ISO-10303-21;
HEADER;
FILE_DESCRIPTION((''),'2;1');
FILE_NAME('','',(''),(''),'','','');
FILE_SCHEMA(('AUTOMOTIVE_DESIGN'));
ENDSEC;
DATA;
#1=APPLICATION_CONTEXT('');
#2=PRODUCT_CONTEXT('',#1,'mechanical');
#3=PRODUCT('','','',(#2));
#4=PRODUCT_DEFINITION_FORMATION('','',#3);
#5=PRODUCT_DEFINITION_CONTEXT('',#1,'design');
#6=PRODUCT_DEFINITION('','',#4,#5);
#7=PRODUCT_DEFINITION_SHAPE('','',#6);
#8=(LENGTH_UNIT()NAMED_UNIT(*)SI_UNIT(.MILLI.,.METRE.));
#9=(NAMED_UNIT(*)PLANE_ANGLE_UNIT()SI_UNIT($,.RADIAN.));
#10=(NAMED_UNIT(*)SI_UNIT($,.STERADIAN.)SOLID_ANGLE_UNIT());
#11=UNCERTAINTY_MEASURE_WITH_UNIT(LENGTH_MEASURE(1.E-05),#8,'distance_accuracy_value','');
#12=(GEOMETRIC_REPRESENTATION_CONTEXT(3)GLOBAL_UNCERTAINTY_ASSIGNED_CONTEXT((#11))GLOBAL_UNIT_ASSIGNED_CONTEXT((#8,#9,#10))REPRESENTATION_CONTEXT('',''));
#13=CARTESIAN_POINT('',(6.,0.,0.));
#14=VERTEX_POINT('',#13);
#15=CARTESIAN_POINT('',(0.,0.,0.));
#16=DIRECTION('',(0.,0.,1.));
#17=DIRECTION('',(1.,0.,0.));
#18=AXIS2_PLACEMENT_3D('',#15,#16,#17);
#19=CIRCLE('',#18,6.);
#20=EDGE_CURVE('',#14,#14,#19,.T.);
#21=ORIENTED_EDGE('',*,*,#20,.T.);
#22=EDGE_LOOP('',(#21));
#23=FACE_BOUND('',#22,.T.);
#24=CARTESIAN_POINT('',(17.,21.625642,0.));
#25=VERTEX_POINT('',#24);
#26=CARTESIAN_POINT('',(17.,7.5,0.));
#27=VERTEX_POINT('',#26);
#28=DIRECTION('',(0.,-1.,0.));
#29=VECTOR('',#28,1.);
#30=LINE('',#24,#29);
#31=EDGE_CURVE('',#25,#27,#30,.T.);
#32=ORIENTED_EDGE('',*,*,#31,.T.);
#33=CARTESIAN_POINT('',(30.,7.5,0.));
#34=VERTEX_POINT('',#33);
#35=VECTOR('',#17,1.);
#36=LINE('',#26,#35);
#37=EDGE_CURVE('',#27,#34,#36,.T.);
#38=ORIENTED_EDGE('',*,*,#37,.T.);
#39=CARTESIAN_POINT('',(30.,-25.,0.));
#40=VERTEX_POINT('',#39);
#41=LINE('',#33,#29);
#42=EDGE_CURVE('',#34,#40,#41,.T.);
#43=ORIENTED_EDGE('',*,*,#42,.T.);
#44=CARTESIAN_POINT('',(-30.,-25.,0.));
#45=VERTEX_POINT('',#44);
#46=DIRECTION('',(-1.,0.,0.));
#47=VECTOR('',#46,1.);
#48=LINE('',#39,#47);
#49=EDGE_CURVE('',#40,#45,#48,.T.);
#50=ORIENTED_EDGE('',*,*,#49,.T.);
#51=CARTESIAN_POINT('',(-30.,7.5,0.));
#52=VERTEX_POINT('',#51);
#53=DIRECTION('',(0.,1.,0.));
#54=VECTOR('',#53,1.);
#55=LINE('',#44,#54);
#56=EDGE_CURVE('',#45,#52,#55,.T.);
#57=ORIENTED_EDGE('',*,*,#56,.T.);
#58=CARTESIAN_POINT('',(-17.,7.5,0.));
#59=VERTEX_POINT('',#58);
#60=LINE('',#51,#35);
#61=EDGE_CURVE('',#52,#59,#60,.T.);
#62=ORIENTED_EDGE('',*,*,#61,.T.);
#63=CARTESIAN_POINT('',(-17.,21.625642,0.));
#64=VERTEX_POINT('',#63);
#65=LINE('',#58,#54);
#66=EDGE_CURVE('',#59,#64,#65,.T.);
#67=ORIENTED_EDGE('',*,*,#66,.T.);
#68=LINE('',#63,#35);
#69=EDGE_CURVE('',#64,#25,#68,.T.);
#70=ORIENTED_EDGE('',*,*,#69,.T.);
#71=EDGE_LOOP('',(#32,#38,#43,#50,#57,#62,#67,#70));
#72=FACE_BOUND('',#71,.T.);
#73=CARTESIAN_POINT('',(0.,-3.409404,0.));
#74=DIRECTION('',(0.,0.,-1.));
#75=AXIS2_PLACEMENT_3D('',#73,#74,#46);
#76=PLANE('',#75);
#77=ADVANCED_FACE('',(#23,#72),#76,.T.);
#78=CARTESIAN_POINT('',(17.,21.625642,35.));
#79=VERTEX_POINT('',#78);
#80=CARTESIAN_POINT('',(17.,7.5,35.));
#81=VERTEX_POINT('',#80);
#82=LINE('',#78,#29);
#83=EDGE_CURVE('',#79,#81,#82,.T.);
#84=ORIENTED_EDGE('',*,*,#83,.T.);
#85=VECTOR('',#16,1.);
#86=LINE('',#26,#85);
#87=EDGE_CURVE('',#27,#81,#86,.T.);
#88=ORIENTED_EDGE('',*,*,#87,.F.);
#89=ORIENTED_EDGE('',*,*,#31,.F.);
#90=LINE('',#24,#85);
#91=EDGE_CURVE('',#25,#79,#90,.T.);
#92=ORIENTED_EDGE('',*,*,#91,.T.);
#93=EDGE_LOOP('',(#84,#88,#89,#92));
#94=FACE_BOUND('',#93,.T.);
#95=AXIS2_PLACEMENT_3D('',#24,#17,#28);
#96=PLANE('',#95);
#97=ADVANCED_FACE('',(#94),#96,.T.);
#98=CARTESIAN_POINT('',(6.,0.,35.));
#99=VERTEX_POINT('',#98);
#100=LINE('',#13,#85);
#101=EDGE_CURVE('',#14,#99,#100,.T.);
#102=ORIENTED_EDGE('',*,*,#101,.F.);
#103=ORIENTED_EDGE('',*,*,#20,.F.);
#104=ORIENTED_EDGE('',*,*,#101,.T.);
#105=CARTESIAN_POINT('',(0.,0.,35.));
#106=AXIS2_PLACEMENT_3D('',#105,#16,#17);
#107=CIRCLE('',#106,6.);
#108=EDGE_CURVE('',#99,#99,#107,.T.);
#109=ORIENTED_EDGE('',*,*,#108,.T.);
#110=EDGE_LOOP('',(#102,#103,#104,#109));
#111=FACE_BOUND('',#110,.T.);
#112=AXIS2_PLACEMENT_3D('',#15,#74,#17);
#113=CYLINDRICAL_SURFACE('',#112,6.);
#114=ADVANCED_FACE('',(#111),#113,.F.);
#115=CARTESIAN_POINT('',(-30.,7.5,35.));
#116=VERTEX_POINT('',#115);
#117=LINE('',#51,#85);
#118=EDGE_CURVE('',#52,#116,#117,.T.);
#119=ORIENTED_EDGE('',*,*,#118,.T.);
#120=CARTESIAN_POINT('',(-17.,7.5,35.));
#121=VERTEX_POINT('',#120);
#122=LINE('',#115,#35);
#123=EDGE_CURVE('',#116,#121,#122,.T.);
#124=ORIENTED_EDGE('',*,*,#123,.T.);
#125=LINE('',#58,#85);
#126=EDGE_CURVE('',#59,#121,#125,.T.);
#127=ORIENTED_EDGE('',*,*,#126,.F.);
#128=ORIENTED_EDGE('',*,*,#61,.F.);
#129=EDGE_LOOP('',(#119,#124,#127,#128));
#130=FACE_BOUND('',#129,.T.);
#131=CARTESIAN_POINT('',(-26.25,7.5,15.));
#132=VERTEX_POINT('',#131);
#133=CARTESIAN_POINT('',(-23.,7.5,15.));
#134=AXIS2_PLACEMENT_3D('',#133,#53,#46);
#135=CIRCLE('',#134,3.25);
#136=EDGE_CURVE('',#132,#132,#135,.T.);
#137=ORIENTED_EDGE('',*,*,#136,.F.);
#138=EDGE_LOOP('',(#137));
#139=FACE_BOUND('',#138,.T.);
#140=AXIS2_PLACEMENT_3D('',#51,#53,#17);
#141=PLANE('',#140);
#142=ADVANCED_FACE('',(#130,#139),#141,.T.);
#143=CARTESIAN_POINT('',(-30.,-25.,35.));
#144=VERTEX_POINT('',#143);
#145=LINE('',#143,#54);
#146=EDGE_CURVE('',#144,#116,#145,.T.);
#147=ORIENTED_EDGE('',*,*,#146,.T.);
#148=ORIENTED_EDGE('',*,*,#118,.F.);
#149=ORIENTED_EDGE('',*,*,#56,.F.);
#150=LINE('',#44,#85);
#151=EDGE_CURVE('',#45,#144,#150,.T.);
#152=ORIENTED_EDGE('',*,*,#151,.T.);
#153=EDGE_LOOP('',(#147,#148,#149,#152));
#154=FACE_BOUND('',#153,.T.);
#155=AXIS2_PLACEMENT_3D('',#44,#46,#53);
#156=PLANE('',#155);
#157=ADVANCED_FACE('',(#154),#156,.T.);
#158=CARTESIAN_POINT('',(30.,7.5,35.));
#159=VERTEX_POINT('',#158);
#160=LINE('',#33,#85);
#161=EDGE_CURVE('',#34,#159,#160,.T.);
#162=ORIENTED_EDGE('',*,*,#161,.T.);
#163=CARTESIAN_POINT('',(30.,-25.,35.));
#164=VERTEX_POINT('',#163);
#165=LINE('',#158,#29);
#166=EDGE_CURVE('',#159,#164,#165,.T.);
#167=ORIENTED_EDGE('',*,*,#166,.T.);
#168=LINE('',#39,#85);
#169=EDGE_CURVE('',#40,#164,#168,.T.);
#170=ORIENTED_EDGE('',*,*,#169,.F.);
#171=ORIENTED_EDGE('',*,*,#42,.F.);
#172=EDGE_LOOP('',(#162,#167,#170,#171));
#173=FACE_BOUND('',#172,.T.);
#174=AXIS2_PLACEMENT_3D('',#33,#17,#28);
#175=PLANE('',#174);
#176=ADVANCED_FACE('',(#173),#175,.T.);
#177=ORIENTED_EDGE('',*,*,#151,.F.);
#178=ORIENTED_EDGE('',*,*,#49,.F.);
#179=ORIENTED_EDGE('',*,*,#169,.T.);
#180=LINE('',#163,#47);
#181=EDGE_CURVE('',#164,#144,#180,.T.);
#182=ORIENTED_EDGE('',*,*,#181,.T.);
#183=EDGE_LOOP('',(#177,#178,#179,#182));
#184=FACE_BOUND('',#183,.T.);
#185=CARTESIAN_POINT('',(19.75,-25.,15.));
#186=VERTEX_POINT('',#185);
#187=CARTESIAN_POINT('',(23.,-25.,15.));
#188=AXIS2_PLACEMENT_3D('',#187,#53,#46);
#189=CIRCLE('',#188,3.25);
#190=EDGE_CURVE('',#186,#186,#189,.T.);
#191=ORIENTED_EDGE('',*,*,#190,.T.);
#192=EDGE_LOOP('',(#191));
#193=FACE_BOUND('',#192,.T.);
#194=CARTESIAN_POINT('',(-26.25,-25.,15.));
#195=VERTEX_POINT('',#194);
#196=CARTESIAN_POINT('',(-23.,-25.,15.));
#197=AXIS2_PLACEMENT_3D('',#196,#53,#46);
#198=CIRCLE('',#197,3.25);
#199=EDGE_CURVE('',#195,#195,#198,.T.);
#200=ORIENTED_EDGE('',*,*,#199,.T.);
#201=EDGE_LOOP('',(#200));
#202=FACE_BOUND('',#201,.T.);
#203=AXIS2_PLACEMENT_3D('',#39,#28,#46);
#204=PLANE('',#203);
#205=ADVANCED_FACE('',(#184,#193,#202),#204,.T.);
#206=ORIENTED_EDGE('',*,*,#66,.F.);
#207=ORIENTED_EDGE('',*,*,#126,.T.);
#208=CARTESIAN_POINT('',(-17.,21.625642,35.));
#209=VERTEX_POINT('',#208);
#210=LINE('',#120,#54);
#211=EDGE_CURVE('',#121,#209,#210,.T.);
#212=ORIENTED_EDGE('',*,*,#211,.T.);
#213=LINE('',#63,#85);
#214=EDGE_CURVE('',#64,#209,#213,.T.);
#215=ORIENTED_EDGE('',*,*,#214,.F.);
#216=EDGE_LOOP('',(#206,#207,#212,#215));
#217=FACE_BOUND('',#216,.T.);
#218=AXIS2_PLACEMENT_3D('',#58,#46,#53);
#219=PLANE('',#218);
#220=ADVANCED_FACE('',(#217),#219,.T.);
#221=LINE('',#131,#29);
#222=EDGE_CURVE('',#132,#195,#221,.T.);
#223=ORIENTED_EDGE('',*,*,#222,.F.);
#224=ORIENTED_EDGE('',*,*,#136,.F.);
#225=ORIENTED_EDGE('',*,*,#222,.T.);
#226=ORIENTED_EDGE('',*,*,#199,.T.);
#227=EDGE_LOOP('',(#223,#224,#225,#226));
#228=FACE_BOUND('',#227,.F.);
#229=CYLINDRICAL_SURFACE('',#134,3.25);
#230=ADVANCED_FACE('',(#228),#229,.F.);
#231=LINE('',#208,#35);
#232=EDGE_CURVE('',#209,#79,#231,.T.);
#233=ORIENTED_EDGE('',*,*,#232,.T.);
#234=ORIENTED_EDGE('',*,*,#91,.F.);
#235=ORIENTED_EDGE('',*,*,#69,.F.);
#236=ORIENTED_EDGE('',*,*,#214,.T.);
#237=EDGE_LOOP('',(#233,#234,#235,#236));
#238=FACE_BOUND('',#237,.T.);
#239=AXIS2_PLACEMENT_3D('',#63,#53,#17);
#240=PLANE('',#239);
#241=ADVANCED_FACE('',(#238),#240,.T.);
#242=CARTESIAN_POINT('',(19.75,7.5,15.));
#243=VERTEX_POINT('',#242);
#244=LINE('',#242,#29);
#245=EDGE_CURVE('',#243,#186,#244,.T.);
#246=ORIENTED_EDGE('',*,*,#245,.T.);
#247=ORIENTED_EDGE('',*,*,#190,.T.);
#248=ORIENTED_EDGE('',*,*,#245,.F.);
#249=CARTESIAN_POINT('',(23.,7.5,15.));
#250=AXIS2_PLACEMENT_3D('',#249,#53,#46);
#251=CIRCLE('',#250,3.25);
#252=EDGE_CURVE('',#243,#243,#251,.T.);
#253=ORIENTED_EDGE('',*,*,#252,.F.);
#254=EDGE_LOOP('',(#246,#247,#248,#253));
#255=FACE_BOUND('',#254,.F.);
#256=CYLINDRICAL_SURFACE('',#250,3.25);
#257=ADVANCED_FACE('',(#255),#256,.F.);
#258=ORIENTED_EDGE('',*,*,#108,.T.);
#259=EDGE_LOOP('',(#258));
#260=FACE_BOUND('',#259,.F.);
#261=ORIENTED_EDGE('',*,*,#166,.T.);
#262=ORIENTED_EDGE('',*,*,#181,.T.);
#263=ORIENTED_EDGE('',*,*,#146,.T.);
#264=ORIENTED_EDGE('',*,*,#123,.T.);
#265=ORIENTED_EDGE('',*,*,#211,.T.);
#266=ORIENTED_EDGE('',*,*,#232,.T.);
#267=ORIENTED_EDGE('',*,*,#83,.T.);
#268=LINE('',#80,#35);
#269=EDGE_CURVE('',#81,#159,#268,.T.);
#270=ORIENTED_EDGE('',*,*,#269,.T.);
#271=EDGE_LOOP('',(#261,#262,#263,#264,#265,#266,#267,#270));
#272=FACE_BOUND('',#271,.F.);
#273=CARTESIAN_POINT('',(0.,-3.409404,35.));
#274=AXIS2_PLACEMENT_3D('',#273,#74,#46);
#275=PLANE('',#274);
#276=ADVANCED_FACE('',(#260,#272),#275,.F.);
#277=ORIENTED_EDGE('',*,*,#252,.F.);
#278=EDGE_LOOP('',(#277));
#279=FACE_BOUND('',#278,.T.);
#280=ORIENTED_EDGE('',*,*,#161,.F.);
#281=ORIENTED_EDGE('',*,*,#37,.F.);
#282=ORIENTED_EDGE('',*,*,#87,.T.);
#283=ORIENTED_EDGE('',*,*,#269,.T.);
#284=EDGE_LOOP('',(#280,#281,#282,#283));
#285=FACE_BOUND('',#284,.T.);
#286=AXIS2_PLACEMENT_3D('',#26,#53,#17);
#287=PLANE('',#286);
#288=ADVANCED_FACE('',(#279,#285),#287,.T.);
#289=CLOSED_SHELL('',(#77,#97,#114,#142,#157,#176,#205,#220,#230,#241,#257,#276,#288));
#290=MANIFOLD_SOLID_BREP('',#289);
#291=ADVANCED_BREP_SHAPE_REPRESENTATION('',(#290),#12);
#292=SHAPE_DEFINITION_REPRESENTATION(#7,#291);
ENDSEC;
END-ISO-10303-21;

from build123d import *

# Parameters (mm, degrees)
SKETCH_R     = 6
PAD_DEPTH    = 35
SKETCH001_R  = 3.25
POCKET_DEPTH = 32.501


with BuildPart() as part:
    # Sketch → Pad (new body)
    with BuildSketch(Plane.XY):
        Polygon((-17, 21.625642), (17, 21.625642), (17, 7.5), (30, 7.5), (30, -25), (-30, -25), (-30, 7.5), (-17, 7.5), align=None)
        Circle(SKETCH_R, mode=Mode.SUBTRACT)
    extrude(amount=PAD_DEPTH)

    # Sketch001 (on Face7 of Pad) → Pocket (cut, through all)
    with BuildSketch(Plane(origin=(0, 7.5, 0), x_dir=(-1, 0, 0), z_dir=(0, 1, 0))):
        with Locations((-23, 15)):
            Circle(SKETCH001_R)
        with Locations((23, 15)):
            Circle(SKETCH001_R)
    extrude(amount=-POCKET_DEPTH, mode=Mode.SUBTRACT)


solid = part.part
